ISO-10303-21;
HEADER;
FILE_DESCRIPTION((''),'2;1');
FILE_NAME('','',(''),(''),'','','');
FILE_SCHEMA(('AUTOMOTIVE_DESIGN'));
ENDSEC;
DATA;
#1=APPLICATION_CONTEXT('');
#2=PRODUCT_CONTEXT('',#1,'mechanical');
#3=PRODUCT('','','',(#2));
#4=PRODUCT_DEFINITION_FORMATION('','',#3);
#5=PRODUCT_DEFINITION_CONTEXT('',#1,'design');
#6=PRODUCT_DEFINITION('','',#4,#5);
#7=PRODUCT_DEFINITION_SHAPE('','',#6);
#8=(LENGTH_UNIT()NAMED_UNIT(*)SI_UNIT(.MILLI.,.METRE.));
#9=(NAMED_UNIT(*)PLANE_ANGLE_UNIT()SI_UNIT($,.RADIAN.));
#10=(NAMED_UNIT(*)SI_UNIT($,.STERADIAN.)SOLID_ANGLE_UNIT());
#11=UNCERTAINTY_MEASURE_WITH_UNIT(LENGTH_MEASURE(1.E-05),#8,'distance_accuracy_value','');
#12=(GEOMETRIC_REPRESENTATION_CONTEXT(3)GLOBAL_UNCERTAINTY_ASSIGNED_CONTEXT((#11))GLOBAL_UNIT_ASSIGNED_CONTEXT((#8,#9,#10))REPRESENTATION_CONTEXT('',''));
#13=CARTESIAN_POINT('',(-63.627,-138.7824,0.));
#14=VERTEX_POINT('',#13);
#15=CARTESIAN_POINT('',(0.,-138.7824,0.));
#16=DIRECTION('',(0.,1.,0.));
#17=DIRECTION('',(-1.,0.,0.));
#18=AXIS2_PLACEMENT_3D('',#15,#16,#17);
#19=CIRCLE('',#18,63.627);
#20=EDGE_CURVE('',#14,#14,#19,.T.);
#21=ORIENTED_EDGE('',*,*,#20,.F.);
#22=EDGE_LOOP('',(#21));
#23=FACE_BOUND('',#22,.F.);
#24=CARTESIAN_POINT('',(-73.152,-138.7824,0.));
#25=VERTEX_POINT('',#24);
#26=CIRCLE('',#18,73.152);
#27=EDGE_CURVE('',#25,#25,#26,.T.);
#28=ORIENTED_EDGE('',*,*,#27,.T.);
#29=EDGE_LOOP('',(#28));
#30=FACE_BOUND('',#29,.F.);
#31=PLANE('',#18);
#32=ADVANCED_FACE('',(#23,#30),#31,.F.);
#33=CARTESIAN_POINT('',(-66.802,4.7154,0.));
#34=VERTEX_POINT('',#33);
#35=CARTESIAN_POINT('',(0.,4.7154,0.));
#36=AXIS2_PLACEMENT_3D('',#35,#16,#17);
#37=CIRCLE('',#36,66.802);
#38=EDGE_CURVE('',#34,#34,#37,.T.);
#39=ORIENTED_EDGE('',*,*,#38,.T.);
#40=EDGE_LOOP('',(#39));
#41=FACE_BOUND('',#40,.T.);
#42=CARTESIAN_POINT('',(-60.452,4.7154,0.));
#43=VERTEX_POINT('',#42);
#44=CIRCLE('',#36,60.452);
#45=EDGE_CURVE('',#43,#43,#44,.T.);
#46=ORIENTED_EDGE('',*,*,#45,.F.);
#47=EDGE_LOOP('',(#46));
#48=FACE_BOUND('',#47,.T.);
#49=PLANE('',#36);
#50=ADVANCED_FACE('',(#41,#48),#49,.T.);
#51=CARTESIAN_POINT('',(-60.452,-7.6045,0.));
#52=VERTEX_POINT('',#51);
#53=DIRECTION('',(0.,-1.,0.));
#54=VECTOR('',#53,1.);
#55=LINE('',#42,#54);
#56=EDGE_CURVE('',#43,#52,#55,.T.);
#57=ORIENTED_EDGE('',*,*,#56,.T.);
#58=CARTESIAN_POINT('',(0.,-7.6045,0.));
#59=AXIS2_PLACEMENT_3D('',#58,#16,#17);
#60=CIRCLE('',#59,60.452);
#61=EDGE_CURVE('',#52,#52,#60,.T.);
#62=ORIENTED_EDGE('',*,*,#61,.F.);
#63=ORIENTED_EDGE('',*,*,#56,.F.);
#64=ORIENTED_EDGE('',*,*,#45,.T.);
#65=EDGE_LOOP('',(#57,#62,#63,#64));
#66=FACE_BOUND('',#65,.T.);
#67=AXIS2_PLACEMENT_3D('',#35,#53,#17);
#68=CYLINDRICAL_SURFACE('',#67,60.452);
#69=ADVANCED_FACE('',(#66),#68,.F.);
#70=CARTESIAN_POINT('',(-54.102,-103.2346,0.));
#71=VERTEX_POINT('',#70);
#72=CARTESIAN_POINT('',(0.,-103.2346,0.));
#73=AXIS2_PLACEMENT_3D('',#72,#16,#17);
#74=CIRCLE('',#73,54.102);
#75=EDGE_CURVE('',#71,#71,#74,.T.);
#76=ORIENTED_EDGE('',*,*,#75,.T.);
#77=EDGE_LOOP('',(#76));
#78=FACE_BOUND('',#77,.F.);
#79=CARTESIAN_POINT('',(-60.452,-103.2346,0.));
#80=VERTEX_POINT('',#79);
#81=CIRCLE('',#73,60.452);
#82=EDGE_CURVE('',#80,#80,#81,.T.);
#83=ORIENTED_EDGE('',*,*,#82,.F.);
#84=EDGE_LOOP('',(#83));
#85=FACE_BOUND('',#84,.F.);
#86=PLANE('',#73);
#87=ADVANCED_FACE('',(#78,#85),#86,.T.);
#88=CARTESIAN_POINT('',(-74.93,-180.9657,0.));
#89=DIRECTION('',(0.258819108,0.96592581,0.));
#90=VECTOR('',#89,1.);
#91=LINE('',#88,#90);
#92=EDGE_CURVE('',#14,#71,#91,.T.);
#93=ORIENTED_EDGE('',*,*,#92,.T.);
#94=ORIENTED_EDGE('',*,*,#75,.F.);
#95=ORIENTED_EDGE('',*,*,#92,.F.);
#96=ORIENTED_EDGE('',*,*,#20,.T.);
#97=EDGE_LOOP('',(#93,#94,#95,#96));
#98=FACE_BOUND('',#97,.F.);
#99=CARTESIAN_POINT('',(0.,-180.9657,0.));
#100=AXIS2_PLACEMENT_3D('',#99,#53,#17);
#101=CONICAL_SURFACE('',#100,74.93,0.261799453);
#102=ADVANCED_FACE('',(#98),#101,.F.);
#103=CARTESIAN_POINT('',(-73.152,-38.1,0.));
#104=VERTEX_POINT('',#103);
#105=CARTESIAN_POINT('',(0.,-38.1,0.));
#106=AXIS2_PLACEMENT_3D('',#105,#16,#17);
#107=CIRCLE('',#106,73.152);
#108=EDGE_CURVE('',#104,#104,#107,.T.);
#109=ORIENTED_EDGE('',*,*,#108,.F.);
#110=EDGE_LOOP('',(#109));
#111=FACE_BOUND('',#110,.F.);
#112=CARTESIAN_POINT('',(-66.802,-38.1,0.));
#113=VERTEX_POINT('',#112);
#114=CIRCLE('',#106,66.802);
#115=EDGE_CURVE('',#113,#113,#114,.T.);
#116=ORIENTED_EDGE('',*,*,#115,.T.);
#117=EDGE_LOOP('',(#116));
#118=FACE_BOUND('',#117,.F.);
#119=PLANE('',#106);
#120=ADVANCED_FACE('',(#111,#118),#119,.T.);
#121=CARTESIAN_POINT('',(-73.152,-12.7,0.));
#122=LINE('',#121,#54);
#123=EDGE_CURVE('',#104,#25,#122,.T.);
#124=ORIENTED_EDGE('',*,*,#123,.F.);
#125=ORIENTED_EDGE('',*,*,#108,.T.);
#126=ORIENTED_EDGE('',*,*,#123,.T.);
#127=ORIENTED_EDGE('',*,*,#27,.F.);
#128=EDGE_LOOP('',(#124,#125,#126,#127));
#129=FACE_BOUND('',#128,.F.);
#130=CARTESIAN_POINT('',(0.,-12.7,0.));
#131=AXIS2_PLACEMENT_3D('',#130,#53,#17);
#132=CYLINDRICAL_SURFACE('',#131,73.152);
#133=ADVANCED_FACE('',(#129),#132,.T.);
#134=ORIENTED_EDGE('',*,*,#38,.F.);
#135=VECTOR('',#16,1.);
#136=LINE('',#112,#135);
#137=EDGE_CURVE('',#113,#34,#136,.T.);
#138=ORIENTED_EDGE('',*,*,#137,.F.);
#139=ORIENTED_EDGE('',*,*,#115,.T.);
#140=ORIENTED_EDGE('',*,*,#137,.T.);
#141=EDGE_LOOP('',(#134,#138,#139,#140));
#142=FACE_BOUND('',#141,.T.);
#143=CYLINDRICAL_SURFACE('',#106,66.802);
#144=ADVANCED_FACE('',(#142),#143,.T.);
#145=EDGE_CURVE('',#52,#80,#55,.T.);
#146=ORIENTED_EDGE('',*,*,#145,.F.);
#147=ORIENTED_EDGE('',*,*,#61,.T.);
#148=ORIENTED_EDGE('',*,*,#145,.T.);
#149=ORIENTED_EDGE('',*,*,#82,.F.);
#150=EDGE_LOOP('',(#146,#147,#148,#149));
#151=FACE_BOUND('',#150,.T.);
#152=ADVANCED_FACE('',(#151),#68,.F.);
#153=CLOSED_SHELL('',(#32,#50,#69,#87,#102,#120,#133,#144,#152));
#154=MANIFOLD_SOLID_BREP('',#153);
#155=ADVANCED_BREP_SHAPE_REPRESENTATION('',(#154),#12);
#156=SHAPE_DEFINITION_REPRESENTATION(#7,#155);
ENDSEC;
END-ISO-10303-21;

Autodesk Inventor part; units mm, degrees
ref_plane "YZ Plane" through (0, 0, 0) normal (1, 0, 0) x (0, 1, 0)
ref_plane "XZ Plane" through (0, 0, 0) normal (0, 1, 0) x (-1, 0, 0)
ref_plane "XY Plane" through (0, 0, 0) normal (0, 0, 1) x (1, 0, 0)
sketch "Sketch1" plane through (0, 0, 0) normal (0, 0, 1) x (1, 0, 0)
  line L0 (0, 25.4) -> (-28.702, 25.4) construction
  line L1 (0, 25.4) -> (-93.98, 25.4) construction
  line L2 (-93.98, 25.4) -> (-90.805, 25.4) construction
  line L3 (-90.805, 25.4) -> (-84.455, 22.4389) construction
  line L4 (-90.805, 25.4) -> (-90.805, 22.4389) construction
  line L5 (-90.805, 0) -> (-93.98, 0)
  line L6 (-28.702, 59.6457) -> (-28.702, -91.9304) construction
  arc A0 (-28.9184, -9.248) -> (-32.3684, -1.8494) centre (-35.052, -7.6045) ccw
  line L7 (-74.93, -180.9657) -> (-28.702, -8.4405)
  line L8 (-90.805, 25.4) -> (-90.805, 0)
  line L9 (-90.805, 25.4) -> (-32.3684, -1.8494)
  line L10 (-28.702, -7.6045) -> (-60.452, -7.6045) construction
  line L11 (-60.452, 11.2462) -> (-60.452, -126.9331) construction
  line L12 (-60.452, -126.9331) -> (-54.102, -126.9331) construction
  line L13 (-54.102, -126.9331) -> (-54.102, -103.2346) construction
  line L14 (-54.102, -103.2346) -> (-60.452, -103.2346)
  line L15 (-60.452, 11.2462) -> (-60.452, 1.7212) construction
  line L16 (-60.452, 11.2462) -> (-60.452, 4.7154) construction
  line L17 (-60.452, 4.7154) -> (-46.4468, 4.7154)
  line L18 (-60.452, 4.7154) -> (-60.452, -103.2346)
  line L19 (-93.98, 0) -> (-93.98, -12.7) construction
  line L20 (-60.452, -12.7) -> (-73.152, -12.7) construction
  line L21 (-93.98, -12.7) -> (-93.98, -25.4) construction
  line L22 (-93.98, -25.4) -> (-93.98, -88.9) construction
  line L23 (-93.98, -88.9) -> (-81.28, -88.9) construction
  line L24 (-81.28, -88.9) -> (-81.28, -25.4) construction
  line L25 (-93.98, -25.4) -> (-81.28, -25.4)
  line L26 (-81.28, -25.4) -> (-81.28, -88.9)
  line L27 (-81.28, -88.9) -> (-93.98, -88.9)
  line L28 (-93.98, -12.7) -> (-73.152, -12.7)
  line L29 (-73.152, -138.7824) -> (-63.627, -138.7824)
  line L30 (-81.28, -88.9) -> (-81.28, -180.9657)
  line L31 (-81.28, -180.9657) -> (-74.93, -180.9657)
  line L32 (-73.152, -12.7) -> (-73.152, -138.7824)
  line L33 (-87.63, -25.4) -> (-87.63, -31.3436)
  line L34 (-87.63, -31.3436) -> (-93.98, -31.3436)
  line L35 (-93.98, 0) -> (-93.98, -25.4)
  line L36 (-93.98, -31.3436) -> (-93.98, -88.9)
  line L37 (-87.63, -155.5657) -> (-87.63, -216.5135)
  line L38 (-28.9184, -9.248) -> (-84.455, -216.5135)
  line L39 (-84.455, -216.5135) -> (-87.63, -216.5135)
  line L40 (-81.28, -155.5657) -> (-87.63, -155.5657)
  line L41 (-60.452, 4.7154) -> (-60.452, -7.6045)
  line L42 (-66.802, -38.1) -> (-73.152, -38.1)
  line L43 (-66.802, -38.1) -> (-66.802, 4.7154)
  line L44 (-66.802, 4.7154) -> (-60.452, 4.7154)
  line L45 (0, -319.0244) -> (0, 122.7573) projected
  point P0 (0, 0)
  point P1 (-93.98, -255.9127)
  point P2 (-88.7095, 22.4389)
  dimension "d0" = 28.702
  dimension "d1" = 93.98
  dimension "d2" = 3.175
  dimension "d3" = 25
  dimension "d5" = 25.4
  dimension "d6" = 25.4
  dimension "d8" = 12.7
  dimension "d12" = 31.75
  dimension "d13" = 6.35
  dimension "d16" = 12.7
  dimension "d17" = 12.7
  dimension "d18" = 12.7
  dimension "d19" = 63.5
  dimension "d20" = 12.7
  dimension "d22" = 9.525
  dimension "d23" = 6.35
  dimension "d25" = 5.9436
  dimension "d26" = 15
  dimension "d27" = 3.175
  dimension "d28" = 6.35
  dimension "d29" = 25.4
  dimension "d30" = 107.95
  dimension "d31" = 6.35
  dimension "d32" = 25.4
revolve "Revolution1" add sketch "Sketch1" angle 360 about axis through (0, -10, 0) along (0, 1, 0) contours L18 L14 L7 L29 L32 L42 L43 L44
properties part number "Phenolic_cap" material "Phenolic Resin"
